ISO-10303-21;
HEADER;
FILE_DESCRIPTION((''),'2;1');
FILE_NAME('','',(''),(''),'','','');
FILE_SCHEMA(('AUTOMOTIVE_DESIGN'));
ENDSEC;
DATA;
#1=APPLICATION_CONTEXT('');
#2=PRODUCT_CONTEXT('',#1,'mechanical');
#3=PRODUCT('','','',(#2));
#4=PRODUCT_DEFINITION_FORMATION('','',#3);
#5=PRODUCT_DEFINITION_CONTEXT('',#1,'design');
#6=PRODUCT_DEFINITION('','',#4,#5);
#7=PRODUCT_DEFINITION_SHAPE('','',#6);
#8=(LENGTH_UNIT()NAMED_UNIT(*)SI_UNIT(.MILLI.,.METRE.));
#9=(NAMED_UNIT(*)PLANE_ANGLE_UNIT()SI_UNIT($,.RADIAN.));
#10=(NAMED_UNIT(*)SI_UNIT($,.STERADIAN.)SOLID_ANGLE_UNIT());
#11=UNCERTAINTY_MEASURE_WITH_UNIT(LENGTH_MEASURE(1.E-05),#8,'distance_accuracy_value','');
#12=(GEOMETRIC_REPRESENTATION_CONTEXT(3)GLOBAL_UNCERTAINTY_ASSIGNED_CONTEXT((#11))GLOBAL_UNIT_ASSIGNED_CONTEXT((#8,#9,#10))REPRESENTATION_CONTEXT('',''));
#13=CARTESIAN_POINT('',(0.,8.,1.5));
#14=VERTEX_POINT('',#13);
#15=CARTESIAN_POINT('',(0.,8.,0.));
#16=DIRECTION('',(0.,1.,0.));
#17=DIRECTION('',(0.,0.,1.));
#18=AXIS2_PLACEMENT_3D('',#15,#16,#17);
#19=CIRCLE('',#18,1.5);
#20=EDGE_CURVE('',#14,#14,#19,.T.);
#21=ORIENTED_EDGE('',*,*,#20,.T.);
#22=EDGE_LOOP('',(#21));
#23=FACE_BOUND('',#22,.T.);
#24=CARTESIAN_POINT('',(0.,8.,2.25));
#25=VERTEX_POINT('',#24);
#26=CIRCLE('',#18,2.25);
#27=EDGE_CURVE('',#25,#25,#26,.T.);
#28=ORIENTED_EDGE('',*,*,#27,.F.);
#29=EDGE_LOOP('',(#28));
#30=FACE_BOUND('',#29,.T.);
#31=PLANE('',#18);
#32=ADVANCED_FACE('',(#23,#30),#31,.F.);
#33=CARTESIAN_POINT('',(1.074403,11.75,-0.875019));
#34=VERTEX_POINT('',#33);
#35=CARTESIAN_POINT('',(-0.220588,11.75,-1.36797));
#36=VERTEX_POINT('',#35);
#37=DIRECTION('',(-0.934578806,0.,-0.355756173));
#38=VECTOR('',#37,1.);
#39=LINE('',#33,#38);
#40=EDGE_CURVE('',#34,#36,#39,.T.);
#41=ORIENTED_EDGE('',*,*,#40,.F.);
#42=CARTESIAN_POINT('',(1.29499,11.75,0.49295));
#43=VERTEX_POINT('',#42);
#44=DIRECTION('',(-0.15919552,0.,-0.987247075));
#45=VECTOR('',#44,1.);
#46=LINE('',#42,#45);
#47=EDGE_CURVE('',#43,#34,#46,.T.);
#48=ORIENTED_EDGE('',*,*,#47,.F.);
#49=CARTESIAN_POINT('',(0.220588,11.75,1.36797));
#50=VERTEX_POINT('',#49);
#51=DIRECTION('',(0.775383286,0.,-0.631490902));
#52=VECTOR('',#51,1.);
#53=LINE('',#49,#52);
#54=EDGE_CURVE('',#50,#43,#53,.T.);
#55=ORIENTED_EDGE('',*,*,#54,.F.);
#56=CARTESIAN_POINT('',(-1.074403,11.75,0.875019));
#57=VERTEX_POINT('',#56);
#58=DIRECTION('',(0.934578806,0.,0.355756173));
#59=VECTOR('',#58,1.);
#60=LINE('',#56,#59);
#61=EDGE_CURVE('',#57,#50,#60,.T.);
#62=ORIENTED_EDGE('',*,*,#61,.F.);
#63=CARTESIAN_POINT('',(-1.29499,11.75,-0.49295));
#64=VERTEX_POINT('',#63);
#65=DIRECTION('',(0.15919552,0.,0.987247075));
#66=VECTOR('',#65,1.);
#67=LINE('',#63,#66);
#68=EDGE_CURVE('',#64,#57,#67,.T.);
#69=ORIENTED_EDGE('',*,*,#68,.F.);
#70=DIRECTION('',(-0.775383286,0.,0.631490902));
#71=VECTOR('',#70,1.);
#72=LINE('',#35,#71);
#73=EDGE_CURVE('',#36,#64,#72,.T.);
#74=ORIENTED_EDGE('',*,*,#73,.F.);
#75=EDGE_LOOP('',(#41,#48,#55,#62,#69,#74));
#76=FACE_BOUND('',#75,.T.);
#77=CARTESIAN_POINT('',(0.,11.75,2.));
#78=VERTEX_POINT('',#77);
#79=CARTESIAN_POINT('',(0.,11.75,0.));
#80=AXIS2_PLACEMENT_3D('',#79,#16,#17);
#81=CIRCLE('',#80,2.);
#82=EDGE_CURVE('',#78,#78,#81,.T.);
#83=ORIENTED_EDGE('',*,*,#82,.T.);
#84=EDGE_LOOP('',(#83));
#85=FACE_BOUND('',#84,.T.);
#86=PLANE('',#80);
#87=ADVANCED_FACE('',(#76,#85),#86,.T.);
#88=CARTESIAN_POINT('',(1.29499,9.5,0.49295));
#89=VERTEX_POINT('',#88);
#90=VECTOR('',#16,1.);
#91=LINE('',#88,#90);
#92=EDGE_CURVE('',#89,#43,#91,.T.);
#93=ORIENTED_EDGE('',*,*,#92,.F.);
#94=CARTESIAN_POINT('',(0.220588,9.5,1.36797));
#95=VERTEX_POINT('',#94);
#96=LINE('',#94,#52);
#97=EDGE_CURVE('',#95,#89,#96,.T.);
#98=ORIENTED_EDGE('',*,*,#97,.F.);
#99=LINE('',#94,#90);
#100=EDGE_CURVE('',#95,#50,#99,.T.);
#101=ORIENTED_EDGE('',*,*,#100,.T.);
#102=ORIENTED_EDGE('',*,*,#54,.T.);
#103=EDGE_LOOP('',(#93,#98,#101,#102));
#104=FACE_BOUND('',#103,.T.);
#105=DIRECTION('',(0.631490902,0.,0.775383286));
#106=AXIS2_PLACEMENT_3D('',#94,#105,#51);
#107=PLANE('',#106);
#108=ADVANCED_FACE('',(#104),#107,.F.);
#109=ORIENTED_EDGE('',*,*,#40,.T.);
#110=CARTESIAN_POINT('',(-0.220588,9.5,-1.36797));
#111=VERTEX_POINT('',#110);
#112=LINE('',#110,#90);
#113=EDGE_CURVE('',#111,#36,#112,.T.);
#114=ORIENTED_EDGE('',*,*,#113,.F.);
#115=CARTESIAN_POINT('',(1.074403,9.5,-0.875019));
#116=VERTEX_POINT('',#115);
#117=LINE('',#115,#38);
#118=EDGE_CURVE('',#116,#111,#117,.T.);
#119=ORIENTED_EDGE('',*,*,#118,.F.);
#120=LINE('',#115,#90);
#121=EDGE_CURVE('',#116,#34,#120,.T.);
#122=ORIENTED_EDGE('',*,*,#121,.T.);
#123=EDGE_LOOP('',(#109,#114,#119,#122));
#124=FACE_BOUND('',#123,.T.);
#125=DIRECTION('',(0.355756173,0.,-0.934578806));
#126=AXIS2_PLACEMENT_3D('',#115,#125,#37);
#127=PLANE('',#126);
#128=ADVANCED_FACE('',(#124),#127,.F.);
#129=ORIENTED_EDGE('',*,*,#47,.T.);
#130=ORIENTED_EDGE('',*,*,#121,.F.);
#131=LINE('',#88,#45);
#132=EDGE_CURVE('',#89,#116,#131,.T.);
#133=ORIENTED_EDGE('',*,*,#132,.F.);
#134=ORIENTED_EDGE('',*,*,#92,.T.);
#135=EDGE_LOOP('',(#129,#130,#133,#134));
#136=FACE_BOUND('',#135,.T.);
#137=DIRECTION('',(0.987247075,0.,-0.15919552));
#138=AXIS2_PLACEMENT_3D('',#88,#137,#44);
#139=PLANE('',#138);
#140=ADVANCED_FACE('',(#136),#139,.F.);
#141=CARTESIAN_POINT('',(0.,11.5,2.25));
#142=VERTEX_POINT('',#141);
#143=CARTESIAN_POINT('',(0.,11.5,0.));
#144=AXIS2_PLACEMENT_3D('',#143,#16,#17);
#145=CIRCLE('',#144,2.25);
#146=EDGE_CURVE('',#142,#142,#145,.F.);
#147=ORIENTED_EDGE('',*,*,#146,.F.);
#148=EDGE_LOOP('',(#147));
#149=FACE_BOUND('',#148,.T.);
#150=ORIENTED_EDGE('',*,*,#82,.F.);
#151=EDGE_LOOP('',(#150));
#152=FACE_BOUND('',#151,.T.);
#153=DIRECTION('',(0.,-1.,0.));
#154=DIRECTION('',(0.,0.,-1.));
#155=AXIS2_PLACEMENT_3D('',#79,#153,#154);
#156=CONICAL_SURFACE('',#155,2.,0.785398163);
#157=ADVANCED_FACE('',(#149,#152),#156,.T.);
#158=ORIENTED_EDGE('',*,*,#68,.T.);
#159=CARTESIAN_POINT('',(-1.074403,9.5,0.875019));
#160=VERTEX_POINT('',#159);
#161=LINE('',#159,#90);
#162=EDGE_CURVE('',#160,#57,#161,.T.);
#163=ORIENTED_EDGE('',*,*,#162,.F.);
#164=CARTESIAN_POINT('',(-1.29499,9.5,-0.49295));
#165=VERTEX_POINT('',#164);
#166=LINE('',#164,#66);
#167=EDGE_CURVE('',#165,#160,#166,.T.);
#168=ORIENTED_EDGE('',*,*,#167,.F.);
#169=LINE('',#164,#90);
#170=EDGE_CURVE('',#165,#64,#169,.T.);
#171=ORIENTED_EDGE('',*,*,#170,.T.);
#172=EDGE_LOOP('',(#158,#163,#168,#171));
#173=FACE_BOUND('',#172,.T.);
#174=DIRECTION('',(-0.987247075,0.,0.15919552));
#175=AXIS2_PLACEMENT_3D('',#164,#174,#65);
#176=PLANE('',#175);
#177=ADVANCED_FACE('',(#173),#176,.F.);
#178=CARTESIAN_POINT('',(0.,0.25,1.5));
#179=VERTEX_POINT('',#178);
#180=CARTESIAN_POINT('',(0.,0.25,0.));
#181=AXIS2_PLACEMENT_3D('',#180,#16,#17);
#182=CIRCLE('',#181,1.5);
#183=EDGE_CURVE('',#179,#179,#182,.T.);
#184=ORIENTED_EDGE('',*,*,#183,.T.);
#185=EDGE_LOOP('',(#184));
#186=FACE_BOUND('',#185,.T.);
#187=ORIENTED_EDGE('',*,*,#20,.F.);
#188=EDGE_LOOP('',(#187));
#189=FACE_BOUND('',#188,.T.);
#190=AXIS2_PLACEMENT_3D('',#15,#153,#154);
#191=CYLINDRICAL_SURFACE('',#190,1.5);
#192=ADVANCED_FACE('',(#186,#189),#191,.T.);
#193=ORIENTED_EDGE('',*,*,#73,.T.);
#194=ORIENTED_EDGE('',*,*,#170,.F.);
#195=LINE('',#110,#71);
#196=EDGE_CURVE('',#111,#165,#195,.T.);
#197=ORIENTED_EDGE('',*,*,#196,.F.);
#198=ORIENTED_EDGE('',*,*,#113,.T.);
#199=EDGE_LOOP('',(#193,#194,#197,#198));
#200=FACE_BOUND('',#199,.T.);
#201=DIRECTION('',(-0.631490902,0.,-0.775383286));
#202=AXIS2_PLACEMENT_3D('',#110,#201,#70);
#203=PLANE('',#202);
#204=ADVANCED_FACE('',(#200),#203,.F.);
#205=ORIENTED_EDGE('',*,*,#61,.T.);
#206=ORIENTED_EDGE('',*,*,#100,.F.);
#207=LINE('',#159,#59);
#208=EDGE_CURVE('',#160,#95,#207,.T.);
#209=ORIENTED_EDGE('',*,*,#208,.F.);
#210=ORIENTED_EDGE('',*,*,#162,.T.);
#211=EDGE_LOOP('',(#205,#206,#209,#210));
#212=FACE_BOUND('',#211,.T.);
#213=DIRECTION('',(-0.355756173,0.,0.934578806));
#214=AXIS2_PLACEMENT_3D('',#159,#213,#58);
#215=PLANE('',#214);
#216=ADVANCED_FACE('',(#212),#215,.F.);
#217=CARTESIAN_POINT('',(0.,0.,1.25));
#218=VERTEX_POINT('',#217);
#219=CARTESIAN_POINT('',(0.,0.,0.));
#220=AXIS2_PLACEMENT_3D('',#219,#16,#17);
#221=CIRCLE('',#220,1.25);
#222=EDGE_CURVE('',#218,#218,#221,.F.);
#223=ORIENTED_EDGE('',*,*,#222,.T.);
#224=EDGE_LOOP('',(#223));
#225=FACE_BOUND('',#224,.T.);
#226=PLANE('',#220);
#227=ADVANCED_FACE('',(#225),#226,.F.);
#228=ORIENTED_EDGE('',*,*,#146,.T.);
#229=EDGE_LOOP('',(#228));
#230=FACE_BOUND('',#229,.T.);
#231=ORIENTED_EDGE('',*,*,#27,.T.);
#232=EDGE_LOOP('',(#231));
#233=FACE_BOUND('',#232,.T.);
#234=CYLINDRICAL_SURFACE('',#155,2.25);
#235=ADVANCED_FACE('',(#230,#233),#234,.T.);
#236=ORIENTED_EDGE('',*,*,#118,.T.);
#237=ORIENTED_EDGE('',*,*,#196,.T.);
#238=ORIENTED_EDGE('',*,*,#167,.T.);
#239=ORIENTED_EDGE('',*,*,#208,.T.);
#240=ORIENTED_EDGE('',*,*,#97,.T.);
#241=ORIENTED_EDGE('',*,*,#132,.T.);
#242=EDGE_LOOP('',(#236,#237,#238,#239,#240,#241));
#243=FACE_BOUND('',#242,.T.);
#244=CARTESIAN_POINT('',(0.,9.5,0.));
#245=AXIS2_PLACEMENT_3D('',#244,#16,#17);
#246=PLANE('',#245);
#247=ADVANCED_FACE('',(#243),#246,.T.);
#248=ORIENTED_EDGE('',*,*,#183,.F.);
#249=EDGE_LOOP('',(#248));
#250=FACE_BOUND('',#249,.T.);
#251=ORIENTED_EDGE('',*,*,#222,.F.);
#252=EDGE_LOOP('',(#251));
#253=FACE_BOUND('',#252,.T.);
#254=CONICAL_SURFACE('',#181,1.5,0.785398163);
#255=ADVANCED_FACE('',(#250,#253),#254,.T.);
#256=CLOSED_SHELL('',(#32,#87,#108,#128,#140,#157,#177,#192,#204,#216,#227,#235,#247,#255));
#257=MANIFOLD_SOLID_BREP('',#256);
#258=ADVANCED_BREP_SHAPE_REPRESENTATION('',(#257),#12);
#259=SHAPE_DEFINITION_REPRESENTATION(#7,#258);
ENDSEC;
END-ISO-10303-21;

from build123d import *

# Parameters (mm, degrees)
SKICA1_R                 = 1.5
P_IDAT_VYSUNUT_M1_DEPTH  = 8
SKICA2_R                 = 2.25
P_IDAT_VYSUNUT_M2_DEPTH  = 3.75
ODEBRAT_VYSUNUT_M1_DEPTH = 2.25
ZKOSEN_1_SIZE            = 0.25
ZKOSEN_2_SIZE            = 0.25


with BuildPart() as part:
    # Skica1 → Přidat vysunutím1 (new body)
    with BuildSketch(Plane(origin=(0, 0, 0), x_dir=(1, 0, 0), z_dir=(0, 1, 0))):
        with Locations(Location((0, 0, 0), (0, 0, 270))):
            Circle(SKICA1_R)
    extrude(amount=P_IDAT_VYSUNUT_M1_DEPTH)

    # Skica2 → Přidat vysunutím2 (add)
    with BuildSketch(Plane(origin=(0, 8, 0), x_dir=(1, 0, 0), z_dir=(0, 1, 0))):
        with Locations(Location((0, 0, 0), (0, 0, 270))):
            Circle(SKICA2_R)
    extrude(amount=P_IDAT_VYSUNUT_M2_DEPTH)

    # Skica3 → Odebrat vysunutím1 (cut)
    with BuildSketch(Plane(origin=(0, 11.75, 0), x_dir=(1, 0, 0), z_dir=(0, 1, 0))):
        Polygon((-1.074402598, -0.875019461), (0.220587783, -1.367969674), (1.294990381, -0.492950213), (1.074402598, 0.875019461), (-0.220587783, 1.367969674), (-1.294990381, 0.492950213), align=None)
    extrude(amount=-ODEBRAT_VYSUNUT_M1_DEPTH, mode=Mode.SUBTRACT)

    # Zkosení1
    zkosen_1_edges = [part.edges().sort_by_distance(p)[0] for p in [
        (0, 11.75, -2.25),
    ]]
    chamfer(zkosen_1_edges, length=ZKOSEN_1_SIZE)

    # Zkosení2
    zkosen_2_edges = [part.edges().sort_by_distance(p)[0] for p in [
        (0, 0, -1.5),
    ]]
    chamfer(zkosen_2_edges, length=ZKOSEN_2_SIZE)


solid = part.part
